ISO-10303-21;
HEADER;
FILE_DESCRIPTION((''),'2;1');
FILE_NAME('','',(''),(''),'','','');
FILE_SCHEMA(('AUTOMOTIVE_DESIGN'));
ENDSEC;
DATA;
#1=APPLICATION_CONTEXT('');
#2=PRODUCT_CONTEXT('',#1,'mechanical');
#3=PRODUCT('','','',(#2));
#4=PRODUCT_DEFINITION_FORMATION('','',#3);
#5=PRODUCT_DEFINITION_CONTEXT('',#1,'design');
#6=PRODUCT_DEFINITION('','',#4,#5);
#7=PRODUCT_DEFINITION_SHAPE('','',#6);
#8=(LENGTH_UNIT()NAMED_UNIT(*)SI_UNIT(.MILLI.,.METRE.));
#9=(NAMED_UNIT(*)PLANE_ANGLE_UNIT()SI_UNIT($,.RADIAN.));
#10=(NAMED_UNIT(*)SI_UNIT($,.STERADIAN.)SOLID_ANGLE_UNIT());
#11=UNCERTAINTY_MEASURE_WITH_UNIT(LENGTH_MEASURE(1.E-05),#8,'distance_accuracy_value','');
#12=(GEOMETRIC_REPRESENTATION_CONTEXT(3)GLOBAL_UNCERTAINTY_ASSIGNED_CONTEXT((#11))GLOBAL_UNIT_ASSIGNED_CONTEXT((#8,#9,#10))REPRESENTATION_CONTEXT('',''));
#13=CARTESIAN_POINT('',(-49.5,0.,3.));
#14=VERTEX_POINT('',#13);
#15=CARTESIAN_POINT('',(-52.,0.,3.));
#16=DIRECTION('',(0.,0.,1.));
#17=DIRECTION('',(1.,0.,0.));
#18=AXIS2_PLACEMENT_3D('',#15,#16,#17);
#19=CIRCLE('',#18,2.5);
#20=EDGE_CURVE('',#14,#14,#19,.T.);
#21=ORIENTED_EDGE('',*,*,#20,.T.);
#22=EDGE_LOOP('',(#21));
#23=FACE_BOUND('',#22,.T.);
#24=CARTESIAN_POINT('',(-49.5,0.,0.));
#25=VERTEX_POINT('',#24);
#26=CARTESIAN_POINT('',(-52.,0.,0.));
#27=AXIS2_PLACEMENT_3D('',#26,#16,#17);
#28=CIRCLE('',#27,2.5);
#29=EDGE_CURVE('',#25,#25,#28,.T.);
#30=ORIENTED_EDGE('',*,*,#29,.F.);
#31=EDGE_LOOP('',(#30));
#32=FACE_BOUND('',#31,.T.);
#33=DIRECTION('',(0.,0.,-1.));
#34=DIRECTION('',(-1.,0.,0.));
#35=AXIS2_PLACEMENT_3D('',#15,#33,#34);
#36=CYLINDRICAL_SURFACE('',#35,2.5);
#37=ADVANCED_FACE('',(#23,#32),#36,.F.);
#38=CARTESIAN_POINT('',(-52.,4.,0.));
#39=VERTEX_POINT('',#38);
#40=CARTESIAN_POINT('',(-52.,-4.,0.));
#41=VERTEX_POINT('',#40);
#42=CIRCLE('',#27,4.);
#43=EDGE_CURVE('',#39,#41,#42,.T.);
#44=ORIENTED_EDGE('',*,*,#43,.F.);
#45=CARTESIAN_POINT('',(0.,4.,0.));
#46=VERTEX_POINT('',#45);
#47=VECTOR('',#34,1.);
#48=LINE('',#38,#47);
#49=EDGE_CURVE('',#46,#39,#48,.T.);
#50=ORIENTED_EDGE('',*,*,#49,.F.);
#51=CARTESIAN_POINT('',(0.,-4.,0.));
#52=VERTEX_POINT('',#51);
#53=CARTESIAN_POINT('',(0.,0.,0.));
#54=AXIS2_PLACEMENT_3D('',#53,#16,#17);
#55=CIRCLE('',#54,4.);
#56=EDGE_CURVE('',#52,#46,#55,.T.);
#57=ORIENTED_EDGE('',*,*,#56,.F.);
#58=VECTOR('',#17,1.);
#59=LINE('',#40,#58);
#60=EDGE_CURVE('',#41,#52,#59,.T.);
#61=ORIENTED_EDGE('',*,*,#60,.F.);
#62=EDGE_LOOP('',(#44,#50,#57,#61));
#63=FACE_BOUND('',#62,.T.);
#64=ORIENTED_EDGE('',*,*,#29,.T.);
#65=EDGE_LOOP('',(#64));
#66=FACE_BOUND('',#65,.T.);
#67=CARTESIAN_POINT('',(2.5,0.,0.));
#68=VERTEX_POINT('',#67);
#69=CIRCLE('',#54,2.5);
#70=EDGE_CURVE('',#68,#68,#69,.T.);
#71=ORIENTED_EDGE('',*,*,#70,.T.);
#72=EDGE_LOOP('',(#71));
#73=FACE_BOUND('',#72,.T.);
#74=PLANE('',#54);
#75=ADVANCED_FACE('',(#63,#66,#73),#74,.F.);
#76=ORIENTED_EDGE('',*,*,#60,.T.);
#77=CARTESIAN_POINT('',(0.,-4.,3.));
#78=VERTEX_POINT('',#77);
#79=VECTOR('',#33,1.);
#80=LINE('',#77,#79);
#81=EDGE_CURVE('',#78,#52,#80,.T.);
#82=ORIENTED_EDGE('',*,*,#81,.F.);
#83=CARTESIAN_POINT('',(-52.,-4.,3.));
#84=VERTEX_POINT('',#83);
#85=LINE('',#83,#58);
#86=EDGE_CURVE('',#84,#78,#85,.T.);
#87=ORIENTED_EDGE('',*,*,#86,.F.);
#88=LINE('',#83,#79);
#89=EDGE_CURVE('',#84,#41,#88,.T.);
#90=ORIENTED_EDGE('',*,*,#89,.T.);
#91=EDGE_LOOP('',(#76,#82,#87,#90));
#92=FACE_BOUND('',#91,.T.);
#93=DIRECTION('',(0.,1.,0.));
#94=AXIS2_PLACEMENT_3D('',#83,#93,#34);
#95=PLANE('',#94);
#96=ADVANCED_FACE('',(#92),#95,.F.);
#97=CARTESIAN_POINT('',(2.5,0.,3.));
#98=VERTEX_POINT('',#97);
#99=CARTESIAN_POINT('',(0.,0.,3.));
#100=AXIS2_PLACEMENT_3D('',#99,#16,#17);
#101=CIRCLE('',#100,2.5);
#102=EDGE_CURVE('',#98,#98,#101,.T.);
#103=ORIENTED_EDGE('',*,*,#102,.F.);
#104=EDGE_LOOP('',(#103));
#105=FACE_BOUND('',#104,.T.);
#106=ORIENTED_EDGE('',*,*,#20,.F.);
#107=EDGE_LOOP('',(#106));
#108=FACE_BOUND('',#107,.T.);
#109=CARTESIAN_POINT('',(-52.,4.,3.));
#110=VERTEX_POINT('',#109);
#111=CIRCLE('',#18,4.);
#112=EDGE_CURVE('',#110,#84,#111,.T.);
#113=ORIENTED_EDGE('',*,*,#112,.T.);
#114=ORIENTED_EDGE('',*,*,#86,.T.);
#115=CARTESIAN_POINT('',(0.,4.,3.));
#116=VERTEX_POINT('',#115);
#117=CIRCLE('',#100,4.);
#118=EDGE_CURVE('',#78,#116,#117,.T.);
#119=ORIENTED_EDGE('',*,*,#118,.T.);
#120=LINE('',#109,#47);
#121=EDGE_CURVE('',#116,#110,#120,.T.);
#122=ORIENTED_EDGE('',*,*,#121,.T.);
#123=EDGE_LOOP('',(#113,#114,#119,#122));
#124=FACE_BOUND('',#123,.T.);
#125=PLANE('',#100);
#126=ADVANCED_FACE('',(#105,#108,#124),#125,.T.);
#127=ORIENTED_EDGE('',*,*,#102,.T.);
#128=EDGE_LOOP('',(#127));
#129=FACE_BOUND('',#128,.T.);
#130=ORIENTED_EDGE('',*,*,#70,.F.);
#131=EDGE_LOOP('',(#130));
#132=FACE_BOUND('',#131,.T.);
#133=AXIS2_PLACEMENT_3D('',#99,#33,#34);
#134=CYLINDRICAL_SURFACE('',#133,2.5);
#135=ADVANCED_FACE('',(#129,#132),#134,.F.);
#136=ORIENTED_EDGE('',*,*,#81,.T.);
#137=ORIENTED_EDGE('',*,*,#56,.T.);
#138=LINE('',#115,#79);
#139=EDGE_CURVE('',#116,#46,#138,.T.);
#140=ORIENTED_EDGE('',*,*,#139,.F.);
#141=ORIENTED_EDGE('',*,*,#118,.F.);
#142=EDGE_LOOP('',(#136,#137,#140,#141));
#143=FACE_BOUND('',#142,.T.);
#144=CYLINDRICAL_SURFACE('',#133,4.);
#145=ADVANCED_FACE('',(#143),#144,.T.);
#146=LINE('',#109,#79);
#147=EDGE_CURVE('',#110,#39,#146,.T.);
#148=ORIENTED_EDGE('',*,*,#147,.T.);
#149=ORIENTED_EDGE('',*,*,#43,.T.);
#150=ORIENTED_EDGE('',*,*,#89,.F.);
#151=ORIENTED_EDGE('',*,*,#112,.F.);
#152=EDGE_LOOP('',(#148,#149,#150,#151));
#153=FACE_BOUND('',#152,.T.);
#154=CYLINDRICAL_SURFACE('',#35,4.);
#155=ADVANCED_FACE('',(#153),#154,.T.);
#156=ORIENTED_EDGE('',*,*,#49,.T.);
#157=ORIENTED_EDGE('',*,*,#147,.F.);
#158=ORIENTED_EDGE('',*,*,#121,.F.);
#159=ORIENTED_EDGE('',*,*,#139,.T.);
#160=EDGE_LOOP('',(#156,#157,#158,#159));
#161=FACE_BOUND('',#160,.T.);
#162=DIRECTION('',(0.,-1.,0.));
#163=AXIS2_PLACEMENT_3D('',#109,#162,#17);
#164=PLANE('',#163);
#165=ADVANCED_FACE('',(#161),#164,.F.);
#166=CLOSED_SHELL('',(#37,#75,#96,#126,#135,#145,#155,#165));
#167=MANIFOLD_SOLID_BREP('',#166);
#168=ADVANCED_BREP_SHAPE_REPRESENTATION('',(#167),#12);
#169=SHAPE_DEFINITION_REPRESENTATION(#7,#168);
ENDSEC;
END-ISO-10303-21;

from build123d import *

# Parameters (mm, degrees)
SKETCH2_R           = 2.5
BOSS_EXTRUDE1_DEPTH = 3


with BuildPart() as part:
    # Sketch2 → Boss-Extrude1 (new body)
    with BuildSketch(Plane.XY):
        with BuildLine():
            Line((-52, 4), (0, 4))
            ThreePointArc((0, 4), (4, 0), (0, -4))
            Line((0, -4), (-52, -4))
            ThreePointArc((-52, -4), (-56, 0), (-52, 4))
        make_face()
        with Locations((-52, 0)):
            Circle(SKETCH2_R, mode=Mode.SUBTRACT)
        Circle(SKETCH2_R, mode=Mode.SUBTRACT)
    extrude(amount=BOSS_EXTRUDE1_DEPTH)


solid = part.part
